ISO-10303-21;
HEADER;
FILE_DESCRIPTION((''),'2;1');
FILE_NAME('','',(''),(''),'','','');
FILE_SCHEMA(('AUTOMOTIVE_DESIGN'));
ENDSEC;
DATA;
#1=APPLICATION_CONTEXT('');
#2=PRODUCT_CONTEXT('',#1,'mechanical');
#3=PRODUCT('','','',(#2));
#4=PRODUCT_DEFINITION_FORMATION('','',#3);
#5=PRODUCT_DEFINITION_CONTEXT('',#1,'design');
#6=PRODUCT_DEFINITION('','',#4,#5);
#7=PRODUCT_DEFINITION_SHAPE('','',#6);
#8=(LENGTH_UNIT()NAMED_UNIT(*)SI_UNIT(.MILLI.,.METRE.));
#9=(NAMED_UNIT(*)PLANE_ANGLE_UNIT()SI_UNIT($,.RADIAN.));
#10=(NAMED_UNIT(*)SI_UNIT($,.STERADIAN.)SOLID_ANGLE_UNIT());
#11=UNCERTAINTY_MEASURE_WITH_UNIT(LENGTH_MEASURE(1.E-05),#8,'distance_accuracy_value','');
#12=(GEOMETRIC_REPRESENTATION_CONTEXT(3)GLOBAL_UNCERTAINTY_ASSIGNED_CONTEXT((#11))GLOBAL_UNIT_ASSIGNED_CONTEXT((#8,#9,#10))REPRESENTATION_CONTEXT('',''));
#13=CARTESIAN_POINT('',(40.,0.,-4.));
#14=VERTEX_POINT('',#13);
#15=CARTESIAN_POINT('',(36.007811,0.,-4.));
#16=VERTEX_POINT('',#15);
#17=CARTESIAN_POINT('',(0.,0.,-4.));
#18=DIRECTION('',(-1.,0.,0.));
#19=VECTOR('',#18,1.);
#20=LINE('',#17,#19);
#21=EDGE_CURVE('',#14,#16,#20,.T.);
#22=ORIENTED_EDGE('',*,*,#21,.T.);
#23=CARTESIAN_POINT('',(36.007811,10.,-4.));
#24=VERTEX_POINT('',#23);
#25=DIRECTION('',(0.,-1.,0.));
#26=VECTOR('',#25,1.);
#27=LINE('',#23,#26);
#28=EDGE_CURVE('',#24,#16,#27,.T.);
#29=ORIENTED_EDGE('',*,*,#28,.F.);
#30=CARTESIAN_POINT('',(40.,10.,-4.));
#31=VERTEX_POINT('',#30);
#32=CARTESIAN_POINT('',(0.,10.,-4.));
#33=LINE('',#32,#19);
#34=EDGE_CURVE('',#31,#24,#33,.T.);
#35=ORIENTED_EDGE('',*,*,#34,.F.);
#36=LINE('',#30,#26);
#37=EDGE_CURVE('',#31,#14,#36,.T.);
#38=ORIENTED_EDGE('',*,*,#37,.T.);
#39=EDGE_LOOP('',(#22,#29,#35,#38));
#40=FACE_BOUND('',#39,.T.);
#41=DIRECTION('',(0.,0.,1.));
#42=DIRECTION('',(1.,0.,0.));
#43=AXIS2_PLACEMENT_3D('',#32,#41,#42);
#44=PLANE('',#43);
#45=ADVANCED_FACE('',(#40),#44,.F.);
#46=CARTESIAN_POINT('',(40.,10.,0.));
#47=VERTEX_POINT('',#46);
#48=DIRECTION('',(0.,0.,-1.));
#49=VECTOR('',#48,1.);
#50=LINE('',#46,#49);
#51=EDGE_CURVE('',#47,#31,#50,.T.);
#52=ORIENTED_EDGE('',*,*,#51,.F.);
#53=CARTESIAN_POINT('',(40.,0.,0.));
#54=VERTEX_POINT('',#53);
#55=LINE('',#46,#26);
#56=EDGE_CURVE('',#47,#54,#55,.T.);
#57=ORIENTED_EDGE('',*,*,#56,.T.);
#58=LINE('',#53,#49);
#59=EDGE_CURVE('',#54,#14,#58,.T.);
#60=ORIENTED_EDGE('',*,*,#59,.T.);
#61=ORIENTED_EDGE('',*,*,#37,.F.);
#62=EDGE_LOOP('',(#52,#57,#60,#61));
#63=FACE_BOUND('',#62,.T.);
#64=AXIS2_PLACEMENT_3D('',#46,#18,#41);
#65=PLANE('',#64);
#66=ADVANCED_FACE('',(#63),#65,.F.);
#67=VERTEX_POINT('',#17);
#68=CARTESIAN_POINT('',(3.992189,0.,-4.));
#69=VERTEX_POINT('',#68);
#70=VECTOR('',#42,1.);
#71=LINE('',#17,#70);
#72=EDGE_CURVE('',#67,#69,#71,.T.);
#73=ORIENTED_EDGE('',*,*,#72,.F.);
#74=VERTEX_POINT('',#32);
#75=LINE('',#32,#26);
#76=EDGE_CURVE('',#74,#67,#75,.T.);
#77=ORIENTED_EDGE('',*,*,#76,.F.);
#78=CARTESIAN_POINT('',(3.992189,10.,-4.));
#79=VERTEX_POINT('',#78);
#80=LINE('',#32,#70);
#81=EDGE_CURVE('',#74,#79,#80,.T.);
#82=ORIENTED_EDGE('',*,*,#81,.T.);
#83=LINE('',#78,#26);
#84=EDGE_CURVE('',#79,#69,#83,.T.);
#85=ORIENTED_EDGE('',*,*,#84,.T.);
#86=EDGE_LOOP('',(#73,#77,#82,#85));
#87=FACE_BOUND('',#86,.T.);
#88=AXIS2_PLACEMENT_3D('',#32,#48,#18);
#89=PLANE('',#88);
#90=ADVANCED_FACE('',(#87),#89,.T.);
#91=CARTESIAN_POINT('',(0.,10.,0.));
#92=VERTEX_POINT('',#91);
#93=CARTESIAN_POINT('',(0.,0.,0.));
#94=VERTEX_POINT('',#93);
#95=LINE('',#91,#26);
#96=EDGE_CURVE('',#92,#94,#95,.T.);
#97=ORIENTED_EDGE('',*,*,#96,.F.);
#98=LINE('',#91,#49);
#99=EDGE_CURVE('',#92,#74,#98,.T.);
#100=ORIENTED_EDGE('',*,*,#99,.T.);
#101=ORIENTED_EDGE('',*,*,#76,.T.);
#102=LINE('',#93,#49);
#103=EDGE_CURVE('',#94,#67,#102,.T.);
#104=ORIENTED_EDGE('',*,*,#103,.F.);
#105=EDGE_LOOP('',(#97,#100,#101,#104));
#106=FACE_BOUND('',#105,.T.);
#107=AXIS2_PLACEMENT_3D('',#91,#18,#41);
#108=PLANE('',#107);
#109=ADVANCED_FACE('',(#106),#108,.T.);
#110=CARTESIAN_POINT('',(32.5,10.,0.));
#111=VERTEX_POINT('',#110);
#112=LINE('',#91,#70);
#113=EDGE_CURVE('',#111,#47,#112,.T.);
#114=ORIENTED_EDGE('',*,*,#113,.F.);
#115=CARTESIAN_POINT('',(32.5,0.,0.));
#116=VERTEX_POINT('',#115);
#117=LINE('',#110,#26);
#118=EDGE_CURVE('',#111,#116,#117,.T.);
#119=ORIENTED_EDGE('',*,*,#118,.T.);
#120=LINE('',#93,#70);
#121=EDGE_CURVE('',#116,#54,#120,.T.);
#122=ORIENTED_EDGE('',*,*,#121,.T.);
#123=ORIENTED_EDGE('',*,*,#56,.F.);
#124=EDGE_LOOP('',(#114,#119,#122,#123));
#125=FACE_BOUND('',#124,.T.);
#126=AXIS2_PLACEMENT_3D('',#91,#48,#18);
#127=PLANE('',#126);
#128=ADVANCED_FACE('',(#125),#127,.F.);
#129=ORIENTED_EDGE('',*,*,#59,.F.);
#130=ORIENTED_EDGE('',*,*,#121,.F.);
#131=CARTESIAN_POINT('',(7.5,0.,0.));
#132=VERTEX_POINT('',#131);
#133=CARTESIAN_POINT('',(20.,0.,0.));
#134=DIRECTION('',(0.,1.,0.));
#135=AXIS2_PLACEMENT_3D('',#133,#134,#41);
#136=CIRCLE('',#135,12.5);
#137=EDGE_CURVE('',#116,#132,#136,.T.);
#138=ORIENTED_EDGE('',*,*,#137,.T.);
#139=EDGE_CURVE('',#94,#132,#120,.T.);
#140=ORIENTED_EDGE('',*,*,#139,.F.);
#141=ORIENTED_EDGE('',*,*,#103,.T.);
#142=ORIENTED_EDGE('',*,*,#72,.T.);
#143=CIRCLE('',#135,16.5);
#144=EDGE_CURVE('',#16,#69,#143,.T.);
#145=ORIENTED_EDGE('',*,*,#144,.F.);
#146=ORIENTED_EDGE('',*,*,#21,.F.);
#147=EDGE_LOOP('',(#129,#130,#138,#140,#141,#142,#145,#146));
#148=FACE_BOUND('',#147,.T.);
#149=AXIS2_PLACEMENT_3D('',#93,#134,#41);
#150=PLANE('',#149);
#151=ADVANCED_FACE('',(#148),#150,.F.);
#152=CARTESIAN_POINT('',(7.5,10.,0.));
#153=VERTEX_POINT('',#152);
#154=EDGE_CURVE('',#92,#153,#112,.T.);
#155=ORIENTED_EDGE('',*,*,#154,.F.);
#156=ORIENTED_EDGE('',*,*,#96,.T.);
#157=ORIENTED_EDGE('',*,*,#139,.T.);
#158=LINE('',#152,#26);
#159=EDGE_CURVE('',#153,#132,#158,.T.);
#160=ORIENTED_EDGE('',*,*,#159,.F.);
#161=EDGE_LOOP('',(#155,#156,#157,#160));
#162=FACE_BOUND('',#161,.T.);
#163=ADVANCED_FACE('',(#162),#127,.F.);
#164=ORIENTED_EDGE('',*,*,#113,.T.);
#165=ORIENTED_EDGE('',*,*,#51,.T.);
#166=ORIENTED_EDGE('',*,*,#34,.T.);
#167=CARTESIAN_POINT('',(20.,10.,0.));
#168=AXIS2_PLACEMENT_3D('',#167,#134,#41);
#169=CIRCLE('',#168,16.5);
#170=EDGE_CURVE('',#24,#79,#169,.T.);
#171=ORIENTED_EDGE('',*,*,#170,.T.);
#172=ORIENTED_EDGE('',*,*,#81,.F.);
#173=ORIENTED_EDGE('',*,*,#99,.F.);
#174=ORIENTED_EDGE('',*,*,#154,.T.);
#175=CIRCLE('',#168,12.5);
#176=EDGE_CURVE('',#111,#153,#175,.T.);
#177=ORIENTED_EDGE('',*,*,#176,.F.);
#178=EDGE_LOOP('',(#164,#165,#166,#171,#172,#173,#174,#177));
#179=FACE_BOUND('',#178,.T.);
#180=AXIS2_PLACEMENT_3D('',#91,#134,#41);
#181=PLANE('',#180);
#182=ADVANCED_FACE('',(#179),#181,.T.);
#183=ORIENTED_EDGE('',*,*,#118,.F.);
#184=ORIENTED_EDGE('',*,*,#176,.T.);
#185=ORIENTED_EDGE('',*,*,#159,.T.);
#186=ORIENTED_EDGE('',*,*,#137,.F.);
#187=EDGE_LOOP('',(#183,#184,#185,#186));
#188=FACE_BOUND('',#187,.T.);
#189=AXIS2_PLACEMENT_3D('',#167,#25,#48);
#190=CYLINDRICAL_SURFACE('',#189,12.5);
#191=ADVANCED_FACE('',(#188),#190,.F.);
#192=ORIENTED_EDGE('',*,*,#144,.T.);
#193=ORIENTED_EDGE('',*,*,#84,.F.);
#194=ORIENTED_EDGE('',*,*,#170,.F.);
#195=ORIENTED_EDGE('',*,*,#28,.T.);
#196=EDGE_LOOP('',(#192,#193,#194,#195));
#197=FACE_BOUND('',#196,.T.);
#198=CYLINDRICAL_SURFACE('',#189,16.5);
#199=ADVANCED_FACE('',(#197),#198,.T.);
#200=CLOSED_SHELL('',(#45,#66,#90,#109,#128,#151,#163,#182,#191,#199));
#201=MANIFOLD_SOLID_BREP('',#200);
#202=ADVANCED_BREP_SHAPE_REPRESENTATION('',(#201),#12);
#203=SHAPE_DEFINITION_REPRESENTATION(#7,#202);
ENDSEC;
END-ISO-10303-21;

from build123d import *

# Parameters (mm, degrees)
BOSS_EXTRUDE1_DEPTH = 10


with BuildPart() as part:
    # Sketch1 → Boss-Extrude1 (new body)
    with BuildSketch(Plane(origin=(0, 0, 0), x_dir=(1, 0, 0), z_dir=(0, 1, 0))):
        with BuildLine():
            Line((3.992189406, 4), (0, 4))
            Line((0, 4), (0, 0))
            Line((0, 0), (3.5, 0))
            Line((3.5, 0), (7.5, 0))
            ThreePointArc((7.5, 0), (20, 12.5), (32.5, 0))
            Line((32.5, 0), (36.5, 0))
            Line((36.5, 0), (40, 0))
            Line((40, 0), (40, 4))
            Line((40, 4), (36.007810594, 4))
            ThreePointArc((36.007810594, 4), (20, 16.5), (3.992189406, 4))
        make_face()
    extrude(amount=BOSS_EXTRUDE1_DEPTH)


solid = part.part
